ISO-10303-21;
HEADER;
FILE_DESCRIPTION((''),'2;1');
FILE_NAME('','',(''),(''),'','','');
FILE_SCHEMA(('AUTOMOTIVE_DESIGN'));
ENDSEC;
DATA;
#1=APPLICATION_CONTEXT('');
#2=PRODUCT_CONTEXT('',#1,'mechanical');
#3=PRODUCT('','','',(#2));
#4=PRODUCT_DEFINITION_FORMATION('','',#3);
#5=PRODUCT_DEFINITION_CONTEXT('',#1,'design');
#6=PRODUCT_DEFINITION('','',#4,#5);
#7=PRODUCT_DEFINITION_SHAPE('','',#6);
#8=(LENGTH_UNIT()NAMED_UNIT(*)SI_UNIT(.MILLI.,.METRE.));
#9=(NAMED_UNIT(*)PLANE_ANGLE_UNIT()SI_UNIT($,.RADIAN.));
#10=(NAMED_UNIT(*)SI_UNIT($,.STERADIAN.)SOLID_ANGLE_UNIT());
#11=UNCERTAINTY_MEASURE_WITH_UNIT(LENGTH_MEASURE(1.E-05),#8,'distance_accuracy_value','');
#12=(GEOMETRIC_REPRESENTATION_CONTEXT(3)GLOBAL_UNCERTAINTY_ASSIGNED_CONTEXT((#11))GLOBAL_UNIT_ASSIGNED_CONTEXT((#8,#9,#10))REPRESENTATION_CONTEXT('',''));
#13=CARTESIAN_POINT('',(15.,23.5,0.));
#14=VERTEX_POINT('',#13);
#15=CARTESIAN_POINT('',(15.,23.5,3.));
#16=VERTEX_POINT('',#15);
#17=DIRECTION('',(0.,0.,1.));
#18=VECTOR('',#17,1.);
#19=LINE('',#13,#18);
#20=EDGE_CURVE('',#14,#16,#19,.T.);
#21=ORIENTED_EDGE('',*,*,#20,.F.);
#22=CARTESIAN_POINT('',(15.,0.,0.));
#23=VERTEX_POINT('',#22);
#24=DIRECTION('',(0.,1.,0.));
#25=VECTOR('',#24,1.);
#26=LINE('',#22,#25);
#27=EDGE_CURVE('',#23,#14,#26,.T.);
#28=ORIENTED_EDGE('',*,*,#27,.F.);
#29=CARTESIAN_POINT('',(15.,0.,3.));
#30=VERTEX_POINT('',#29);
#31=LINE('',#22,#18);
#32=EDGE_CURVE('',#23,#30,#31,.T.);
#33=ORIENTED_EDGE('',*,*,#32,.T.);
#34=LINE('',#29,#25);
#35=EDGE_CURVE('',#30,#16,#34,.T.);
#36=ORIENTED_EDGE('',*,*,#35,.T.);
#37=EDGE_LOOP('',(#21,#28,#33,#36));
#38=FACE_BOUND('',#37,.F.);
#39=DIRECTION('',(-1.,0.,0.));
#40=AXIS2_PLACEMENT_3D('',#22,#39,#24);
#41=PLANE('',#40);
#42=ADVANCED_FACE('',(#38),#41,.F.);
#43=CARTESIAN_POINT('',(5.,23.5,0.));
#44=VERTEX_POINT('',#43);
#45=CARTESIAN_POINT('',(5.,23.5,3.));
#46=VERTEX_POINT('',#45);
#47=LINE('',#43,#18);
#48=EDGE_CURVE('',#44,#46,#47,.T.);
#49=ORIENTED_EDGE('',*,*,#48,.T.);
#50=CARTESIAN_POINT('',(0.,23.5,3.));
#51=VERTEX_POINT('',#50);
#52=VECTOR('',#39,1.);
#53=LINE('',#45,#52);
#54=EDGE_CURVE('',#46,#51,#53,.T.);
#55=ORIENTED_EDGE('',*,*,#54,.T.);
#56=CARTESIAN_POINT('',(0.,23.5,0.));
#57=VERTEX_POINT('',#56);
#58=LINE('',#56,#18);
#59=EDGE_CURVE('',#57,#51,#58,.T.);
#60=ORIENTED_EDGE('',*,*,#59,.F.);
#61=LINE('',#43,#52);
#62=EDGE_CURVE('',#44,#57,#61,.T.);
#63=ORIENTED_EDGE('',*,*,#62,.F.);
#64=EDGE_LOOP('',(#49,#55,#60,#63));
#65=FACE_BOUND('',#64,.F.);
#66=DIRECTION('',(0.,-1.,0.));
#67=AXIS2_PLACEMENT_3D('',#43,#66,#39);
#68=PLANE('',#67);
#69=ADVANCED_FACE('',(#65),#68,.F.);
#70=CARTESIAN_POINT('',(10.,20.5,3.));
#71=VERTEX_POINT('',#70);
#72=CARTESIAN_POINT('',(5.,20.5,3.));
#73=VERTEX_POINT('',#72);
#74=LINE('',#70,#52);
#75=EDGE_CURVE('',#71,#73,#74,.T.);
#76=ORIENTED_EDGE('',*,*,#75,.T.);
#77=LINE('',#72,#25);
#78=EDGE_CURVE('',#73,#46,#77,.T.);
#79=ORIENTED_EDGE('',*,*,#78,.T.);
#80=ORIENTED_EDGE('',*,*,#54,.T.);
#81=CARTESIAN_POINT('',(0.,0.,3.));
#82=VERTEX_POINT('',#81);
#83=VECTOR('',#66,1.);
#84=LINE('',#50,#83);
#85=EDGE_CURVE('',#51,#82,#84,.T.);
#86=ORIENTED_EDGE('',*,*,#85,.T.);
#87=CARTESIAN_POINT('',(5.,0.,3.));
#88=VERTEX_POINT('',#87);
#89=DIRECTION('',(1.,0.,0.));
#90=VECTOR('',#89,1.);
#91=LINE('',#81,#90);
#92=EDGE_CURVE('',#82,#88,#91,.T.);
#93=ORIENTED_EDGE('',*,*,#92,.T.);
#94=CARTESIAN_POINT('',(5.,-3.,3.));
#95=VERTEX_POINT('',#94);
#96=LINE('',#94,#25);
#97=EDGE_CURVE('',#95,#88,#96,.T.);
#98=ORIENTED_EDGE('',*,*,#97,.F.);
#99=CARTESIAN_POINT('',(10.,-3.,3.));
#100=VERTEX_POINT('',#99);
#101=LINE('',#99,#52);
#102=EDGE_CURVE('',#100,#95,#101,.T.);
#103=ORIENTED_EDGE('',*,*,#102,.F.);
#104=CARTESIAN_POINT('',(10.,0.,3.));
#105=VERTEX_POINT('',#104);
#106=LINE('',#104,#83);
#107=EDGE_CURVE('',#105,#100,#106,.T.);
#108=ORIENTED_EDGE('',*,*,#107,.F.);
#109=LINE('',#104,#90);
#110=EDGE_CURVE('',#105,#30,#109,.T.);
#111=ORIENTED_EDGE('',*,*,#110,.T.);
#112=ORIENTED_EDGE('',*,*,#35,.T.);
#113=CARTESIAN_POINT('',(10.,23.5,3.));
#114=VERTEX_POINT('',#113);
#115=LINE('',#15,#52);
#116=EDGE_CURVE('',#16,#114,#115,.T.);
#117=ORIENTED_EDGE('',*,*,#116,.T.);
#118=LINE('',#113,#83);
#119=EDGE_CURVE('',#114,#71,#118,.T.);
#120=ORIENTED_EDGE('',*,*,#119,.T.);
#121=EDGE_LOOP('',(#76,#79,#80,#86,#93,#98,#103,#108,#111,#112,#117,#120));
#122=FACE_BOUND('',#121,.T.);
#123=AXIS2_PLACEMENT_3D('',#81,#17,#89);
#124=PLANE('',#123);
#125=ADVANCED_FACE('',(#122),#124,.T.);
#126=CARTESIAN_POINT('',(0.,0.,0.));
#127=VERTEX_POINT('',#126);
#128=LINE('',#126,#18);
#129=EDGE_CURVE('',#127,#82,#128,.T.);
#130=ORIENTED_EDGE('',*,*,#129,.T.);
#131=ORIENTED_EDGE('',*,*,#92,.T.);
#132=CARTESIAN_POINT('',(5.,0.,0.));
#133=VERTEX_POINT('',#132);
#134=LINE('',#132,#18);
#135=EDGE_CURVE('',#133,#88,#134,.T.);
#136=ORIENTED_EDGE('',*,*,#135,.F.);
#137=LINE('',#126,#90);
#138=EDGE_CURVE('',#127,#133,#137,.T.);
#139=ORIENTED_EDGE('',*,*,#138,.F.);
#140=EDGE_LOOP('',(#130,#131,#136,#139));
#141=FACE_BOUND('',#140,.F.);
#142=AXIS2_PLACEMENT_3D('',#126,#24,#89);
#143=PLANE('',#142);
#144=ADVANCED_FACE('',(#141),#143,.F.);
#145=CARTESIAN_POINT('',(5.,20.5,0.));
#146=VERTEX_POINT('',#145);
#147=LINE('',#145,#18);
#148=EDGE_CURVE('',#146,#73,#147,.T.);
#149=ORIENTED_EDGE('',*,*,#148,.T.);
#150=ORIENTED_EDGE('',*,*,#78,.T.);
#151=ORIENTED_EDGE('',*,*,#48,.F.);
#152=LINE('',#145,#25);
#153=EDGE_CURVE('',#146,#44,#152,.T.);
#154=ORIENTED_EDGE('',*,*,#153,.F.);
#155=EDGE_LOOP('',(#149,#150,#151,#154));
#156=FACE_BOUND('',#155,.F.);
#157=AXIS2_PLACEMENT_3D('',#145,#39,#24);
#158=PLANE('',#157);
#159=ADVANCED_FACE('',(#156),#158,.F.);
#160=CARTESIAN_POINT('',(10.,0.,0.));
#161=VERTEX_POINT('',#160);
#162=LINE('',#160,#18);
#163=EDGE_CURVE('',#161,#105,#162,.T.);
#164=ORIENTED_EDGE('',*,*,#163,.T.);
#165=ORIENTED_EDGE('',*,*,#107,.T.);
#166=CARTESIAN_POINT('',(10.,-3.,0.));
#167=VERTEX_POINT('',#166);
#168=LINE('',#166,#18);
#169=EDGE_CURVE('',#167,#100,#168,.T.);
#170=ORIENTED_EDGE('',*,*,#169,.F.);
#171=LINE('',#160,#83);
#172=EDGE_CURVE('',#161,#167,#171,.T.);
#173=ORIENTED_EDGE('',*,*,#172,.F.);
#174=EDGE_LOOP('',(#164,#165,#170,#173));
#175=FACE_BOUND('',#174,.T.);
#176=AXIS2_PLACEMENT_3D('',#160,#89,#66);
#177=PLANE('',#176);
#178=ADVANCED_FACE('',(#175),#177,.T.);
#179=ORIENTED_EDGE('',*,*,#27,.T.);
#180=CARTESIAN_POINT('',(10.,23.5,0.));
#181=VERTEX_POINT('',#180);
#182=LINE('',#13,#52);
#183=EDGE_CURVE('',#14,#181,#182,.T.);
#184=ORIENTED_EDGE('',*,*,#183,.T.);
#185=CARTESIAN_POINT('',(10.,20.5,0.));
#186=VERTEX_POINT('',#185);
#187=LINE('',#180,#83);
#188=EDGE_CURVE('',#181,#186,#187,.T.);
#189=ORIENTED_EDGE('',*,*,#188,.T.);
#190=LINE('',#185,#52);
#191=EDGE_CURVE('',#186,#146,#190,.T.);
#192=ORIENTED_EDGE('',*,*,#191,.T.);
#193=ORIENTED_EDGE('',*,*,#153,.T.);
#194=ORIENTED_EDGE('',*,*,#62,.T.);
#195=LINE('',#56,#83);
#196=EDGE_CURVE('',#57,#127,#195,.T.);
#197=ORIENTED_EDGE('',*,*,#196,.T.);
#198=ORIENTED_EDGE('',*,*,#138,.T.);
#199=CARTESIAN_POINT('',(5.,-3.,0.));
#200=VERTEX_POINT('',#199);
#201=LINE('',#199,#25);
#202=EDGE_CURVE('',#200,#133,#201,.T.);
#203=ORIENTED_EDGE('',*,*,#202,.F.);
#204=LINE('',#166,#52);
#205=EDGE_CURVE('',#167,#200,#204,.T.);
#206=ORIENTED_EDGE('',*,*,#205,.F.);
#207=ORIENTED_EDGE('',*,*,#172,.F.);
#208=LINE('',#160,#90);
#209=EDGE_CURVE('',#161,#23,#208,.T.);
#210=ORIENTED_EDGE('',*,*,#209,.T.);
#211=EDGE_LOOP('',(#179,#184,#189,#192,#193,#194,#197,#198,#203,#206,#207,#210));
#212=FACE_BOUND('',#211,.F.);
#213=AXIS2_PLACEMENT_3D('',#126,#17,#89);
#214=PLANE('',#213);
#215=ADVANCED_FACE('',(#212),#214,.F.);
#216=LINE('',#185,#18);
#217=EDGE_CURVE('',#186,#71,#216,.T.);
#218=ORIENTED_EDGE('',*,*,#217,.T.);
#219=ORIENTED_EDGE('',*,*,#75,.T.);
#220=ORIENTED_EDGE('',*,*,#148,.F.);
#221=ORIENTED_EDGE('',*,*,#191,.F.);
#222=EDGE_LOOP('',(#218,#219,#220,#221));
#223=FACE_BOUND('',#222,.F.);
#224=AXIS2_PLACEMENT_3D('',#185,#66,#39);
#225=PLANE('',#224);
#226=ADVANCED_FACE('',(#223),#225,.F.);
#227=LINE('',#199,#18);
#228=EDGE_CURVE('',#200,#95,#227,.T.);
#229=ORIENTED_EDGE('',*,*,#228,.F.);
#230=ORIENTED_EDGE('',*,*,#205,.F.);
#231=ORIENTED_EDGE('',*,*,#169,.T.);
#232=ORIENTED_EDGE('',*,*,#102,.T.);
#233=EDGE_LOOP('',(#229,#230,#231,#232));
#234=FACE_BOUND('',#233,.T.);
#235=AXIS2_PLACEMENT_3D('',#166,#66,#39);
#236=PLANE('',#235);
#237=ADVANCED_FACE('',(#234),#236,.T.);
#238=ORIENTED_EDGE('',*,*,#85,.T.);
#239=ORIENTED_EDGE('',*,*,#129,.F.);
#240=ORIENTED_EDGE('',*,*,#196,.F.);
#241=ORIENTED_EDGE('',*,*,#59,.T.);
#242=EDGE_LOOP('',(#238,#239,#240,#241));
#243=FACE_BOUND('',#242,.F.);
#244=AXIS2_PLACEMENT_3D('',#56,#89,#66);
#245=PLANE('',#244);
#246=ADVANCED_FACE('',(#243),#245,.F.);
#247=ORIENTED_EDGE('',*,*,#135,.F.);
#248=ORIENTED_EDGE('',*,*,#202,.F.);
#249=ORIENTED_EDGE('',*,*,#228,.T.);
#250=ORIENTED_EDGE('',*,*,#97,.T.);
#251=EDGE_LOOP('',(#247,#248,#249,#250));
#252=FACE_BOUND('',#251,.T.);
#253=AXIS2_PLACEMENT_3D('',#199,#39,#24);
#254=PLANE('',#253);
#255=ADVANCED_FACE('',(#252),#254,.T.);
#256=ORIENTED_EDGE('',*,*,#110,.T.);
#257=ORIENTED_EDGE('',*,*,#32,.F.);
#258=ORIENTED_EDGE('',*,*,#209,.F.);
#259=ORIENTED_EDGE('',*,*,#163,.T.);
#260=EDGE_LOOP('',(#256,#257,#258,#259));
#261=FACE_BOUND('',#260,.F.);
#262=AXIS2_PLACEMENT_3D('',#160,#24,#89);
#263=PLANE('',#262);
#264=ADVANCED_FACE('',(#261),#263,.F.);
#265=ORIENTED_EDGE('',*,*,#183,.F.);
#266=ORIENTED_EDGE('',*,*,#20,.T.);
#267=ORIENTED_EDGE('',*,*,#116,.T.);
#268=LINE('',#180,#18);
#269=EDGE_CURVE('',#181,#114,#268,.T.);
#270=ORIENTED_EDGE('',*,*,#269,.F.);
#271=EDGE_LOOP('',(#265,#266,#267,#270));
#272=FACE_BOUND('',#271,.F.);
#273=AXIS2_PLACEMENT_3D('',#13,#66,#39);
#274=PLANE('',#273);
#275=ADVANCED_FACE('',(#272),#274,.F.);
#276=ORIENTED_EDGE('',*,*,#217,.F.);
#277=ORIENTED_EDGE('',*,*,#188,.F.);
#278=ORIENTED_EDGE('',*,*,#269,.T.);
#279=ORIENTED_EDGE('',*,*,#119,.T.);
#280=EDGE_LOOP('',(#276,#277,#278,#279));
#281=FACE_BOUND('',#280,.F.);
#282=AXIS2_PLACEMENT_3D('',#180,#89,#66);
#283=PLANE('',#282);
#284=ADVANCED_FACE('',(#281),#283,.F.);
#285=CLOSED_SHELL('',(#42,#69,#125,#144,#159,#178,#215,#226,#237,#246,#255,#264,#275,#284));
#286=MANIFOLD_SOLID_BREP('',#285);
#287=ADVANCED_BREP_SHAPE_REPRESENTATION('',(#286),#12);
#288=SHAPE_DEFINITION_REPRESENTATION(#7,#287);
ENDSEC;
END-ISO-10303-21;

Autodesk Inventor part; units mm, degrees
ref_plane "YZ Plane" through (0, 0, 0) normal (1, 0, 0) x (0, 1, 0)
ref_plane "XZ Plane" through (0, 0, 0) normal (0, 1, 0) x (-1, 0, 0)
ref_plane "XY Plane" through (0, 0, 0) normal (0, 0, 1) x (1, 0, 0)
sketch "Sketch1" plane through (0, 0, 0) normal (0, 0, 1) x (1, 0, 0)
  line L0 (15, 0) -> (15, 23.5)
  line L1 (0, 23.5) -> (0, 0)
  line L2 (10, 0) -> (10, -3)
  line L3 (10, -3) -> (5, -3)
  line L4 (5, -3) -> (5, 0)
  line L5 (10, 23.5) -> (10, 20.5)
  line L6 (10, 20.5) -> (5, 20.5)
  line L7 (5, 20.5) -> (5, 23.5)
  line L8 (15, 23.5) -> (10, 23.5)
  line L9 (5, 23.5) -> (0, 23.5)
  line L10 (0, 0) -> (5, 0)
  line L11 (10, 0) -> (15, 0)
  dimension "d0" = 15
  dimension "d1" = 23.5
  dimension "d2" = 5
  dimension "d3" = 3
  dimension "d4" = 5
  dimension "d6" = 5
  dimension "d7" = 3
extrude "Extrusion1" add sketch "Sketch1" along normal blind 3
equation "\"d6\" = 0.5 * d0 - 0.5 * d4"
properties part number "servo_holder3"
